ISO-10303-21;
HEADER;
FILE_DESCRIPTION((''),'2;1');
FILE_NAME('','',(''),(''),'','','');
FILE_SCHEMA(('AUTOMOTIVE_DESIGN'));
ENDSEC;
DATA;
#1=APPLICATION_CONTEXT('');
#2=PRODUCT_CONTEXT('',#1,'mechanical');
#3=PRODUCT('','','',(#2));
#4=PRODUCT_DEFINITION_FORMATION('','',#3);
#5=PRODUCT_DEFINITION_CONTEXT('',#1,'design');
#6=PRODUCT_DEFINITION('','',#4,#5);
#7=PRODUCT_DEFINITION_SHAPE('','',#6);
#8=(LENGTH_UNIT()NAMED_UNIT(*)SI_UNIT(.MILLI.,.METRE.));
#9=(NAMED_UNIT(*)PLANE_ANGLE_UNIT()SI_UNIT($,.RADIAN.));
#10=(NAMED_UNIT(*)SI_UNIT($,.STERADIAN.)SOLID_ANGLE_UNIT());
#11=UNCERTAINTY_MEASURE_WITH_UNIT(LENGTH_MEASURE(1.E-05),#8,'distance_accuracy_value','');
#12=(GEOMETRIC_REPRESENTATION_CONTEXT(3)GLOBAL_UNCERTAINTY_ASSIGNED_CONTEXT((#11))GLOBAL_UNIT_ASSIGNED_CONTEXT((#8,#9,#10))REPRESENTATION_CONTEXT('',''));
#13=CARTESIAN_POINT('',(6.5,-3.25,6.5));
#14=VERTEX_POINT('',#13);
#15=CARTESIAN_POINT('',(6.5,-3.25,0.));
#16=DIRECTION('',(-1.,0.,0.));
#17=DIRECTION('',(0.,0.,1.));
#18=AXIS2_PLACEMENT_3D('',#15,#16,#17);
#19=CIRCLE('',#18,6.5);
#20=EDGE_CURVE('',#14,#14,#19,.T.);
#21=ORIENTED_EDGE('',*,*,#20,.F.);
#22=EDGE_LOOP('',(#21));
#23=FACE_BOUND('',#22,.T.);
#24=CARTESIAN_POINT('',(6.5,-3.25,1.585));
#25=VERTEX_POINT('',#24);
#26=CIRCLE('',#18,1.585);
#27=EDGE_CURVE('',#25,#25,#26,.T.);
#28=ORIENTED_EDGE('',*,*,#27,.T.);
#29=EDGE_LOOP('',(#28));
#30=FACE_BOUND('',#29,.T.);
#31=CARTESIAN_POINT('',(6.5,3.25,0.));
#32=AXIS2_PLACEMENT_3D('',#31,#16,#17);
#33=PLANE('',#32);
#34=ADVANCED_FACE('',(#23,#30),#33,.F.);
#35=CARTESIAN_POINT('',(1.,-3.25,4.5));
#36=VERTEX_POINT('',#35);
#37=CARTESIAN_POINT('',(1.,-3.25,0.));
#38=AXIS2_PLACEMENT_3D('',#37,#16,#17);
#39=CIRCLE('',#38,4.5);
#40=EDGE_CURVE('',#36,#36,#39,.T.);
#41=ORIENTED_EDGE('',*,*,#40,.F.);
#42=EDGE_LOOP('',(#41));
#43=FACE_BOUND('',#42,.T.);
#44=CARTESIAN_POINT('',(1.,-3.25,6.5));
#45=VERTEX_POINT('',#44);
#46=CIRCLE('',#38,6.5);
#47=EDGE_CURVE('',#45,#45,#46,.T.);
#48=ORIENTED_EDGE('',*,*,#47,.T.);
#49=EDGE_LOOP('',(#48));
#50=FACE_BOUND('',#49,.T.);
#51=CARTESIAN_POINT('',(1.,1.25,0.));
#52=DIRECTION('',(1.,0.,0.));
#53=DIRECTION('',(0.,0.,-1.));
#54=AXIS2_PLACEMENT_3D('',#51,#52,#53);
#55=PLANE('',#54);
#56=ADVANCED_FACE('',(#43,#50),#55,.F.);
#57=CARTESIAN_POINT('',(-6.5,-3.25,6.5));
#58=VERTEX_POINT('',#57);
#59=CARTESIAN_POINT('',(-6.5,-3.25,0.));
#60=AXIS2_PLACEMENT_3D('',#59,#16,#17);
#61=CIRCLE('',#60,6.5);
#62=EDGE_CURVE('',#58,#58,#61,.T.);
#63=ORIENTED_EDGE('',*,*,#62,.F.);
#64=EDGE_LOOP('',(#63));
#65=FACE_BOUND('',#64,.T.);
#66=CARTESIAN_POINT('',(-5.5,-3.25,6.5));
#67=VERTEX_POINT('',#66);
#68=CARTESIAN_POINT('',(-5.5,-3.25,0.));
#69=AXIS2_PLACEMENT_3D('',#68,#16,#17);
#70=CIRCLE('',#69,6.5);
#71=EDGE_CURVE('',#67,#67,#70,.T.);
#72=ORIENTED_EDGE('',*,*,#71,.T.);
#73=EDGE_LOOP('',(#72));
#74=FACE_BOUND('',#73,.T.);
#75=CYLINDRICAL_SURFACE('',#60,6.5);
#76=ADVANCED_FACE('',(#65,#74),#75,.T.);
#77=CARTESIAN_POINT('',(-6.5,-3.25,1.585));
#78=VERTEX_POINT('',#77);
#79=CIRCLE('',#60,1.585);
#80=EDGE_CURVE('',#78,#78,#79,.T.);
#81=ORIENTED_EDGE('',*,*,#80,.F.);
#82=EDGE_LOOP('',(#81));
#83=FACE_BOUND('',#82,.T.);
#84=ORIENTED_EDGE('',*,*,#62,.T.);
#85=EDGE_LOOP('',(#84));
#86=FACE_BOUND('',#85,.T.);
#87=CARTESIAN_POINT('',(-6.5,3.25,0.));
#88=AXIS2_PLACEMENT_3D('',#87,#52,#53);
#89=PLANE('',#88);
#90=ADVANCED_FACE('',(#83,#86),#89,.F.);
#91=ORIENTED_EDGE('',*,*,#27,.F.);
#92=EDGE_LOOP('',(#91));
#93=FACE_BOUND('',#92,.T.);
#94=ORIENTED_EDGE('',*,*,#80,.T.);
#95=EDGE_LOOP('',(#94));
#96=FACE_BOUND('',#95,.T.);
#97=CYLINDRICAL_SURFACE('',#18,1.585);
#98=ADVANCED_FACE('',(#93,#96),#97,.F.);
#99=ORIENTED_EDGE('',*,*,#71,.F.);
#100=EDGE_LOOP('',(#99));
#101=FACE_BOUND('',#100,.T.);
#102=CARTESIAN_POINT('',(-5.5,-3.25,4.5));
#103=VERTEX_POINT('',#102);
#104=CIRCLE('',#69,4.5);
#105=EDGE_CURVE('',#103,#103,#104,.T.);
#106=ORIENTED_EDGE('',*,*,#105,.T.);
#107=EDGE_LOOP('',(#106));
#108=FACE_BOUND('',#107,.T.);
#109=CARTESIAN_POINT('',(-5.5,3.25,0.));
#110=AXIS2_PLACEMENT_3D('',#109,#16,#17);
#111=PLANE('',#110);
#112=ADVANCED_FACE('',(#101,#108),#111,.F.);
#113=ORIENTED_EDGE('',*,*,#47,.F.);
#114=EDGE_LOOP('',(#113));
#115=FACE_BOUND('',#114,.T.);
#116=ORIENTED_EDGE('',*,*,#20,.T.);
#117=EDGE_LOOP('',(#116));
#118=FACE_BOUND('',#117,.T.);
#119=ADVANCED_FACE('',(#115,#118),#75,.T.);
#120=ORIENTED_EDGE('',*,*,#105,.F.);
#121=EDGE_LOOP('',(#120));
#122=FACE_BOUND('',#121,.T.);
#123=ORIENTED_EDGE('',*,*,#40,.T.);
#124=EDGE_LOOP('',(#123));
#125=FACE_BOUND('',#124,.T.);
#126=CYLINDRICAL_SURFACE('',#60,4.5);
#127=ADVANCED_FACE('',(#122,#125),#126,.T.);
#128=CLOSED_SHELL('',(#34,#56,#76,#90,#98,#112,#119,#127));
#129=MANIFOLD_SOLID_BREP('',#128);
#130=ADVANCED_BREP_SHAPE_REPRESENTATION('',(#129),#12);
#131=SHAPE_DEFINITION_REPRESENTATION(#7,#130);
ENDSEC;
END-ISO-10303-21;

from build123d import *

# Parameters (mm, degrees)
SKETCH_2_R          = 1.585
CUT_EXTRUDE_1_DEPTH = 14


with BuildPart() as part:
    # 草图1 → 旋转1 (revolve)
    with BuildSketch(Plane.XY):
        Polygon((6.5, -3.25), (-6.5, -3.25), (-6.5, 3.25), (-5.5, 3.25), (-5.5, 1.25), (1, 1.25), (1, 3.25), (6.5, 3.25), align=None)
    revolve(axis=Axis((-6.5, -3.25, 0), (1, 0, 0)))

    # 草图2 → 切除-拉伸1 (cut, through all)
    with BuildSketch(Plane.ZY.offset(6.5)):
        with Locations((0, -3.25)):
            Circle(SKETCH_2_R)
    extrude(amount=-CUT_EXTRUDE_1_DEPTH, mode=Mode.SUBTRACT)


solid = part.part
